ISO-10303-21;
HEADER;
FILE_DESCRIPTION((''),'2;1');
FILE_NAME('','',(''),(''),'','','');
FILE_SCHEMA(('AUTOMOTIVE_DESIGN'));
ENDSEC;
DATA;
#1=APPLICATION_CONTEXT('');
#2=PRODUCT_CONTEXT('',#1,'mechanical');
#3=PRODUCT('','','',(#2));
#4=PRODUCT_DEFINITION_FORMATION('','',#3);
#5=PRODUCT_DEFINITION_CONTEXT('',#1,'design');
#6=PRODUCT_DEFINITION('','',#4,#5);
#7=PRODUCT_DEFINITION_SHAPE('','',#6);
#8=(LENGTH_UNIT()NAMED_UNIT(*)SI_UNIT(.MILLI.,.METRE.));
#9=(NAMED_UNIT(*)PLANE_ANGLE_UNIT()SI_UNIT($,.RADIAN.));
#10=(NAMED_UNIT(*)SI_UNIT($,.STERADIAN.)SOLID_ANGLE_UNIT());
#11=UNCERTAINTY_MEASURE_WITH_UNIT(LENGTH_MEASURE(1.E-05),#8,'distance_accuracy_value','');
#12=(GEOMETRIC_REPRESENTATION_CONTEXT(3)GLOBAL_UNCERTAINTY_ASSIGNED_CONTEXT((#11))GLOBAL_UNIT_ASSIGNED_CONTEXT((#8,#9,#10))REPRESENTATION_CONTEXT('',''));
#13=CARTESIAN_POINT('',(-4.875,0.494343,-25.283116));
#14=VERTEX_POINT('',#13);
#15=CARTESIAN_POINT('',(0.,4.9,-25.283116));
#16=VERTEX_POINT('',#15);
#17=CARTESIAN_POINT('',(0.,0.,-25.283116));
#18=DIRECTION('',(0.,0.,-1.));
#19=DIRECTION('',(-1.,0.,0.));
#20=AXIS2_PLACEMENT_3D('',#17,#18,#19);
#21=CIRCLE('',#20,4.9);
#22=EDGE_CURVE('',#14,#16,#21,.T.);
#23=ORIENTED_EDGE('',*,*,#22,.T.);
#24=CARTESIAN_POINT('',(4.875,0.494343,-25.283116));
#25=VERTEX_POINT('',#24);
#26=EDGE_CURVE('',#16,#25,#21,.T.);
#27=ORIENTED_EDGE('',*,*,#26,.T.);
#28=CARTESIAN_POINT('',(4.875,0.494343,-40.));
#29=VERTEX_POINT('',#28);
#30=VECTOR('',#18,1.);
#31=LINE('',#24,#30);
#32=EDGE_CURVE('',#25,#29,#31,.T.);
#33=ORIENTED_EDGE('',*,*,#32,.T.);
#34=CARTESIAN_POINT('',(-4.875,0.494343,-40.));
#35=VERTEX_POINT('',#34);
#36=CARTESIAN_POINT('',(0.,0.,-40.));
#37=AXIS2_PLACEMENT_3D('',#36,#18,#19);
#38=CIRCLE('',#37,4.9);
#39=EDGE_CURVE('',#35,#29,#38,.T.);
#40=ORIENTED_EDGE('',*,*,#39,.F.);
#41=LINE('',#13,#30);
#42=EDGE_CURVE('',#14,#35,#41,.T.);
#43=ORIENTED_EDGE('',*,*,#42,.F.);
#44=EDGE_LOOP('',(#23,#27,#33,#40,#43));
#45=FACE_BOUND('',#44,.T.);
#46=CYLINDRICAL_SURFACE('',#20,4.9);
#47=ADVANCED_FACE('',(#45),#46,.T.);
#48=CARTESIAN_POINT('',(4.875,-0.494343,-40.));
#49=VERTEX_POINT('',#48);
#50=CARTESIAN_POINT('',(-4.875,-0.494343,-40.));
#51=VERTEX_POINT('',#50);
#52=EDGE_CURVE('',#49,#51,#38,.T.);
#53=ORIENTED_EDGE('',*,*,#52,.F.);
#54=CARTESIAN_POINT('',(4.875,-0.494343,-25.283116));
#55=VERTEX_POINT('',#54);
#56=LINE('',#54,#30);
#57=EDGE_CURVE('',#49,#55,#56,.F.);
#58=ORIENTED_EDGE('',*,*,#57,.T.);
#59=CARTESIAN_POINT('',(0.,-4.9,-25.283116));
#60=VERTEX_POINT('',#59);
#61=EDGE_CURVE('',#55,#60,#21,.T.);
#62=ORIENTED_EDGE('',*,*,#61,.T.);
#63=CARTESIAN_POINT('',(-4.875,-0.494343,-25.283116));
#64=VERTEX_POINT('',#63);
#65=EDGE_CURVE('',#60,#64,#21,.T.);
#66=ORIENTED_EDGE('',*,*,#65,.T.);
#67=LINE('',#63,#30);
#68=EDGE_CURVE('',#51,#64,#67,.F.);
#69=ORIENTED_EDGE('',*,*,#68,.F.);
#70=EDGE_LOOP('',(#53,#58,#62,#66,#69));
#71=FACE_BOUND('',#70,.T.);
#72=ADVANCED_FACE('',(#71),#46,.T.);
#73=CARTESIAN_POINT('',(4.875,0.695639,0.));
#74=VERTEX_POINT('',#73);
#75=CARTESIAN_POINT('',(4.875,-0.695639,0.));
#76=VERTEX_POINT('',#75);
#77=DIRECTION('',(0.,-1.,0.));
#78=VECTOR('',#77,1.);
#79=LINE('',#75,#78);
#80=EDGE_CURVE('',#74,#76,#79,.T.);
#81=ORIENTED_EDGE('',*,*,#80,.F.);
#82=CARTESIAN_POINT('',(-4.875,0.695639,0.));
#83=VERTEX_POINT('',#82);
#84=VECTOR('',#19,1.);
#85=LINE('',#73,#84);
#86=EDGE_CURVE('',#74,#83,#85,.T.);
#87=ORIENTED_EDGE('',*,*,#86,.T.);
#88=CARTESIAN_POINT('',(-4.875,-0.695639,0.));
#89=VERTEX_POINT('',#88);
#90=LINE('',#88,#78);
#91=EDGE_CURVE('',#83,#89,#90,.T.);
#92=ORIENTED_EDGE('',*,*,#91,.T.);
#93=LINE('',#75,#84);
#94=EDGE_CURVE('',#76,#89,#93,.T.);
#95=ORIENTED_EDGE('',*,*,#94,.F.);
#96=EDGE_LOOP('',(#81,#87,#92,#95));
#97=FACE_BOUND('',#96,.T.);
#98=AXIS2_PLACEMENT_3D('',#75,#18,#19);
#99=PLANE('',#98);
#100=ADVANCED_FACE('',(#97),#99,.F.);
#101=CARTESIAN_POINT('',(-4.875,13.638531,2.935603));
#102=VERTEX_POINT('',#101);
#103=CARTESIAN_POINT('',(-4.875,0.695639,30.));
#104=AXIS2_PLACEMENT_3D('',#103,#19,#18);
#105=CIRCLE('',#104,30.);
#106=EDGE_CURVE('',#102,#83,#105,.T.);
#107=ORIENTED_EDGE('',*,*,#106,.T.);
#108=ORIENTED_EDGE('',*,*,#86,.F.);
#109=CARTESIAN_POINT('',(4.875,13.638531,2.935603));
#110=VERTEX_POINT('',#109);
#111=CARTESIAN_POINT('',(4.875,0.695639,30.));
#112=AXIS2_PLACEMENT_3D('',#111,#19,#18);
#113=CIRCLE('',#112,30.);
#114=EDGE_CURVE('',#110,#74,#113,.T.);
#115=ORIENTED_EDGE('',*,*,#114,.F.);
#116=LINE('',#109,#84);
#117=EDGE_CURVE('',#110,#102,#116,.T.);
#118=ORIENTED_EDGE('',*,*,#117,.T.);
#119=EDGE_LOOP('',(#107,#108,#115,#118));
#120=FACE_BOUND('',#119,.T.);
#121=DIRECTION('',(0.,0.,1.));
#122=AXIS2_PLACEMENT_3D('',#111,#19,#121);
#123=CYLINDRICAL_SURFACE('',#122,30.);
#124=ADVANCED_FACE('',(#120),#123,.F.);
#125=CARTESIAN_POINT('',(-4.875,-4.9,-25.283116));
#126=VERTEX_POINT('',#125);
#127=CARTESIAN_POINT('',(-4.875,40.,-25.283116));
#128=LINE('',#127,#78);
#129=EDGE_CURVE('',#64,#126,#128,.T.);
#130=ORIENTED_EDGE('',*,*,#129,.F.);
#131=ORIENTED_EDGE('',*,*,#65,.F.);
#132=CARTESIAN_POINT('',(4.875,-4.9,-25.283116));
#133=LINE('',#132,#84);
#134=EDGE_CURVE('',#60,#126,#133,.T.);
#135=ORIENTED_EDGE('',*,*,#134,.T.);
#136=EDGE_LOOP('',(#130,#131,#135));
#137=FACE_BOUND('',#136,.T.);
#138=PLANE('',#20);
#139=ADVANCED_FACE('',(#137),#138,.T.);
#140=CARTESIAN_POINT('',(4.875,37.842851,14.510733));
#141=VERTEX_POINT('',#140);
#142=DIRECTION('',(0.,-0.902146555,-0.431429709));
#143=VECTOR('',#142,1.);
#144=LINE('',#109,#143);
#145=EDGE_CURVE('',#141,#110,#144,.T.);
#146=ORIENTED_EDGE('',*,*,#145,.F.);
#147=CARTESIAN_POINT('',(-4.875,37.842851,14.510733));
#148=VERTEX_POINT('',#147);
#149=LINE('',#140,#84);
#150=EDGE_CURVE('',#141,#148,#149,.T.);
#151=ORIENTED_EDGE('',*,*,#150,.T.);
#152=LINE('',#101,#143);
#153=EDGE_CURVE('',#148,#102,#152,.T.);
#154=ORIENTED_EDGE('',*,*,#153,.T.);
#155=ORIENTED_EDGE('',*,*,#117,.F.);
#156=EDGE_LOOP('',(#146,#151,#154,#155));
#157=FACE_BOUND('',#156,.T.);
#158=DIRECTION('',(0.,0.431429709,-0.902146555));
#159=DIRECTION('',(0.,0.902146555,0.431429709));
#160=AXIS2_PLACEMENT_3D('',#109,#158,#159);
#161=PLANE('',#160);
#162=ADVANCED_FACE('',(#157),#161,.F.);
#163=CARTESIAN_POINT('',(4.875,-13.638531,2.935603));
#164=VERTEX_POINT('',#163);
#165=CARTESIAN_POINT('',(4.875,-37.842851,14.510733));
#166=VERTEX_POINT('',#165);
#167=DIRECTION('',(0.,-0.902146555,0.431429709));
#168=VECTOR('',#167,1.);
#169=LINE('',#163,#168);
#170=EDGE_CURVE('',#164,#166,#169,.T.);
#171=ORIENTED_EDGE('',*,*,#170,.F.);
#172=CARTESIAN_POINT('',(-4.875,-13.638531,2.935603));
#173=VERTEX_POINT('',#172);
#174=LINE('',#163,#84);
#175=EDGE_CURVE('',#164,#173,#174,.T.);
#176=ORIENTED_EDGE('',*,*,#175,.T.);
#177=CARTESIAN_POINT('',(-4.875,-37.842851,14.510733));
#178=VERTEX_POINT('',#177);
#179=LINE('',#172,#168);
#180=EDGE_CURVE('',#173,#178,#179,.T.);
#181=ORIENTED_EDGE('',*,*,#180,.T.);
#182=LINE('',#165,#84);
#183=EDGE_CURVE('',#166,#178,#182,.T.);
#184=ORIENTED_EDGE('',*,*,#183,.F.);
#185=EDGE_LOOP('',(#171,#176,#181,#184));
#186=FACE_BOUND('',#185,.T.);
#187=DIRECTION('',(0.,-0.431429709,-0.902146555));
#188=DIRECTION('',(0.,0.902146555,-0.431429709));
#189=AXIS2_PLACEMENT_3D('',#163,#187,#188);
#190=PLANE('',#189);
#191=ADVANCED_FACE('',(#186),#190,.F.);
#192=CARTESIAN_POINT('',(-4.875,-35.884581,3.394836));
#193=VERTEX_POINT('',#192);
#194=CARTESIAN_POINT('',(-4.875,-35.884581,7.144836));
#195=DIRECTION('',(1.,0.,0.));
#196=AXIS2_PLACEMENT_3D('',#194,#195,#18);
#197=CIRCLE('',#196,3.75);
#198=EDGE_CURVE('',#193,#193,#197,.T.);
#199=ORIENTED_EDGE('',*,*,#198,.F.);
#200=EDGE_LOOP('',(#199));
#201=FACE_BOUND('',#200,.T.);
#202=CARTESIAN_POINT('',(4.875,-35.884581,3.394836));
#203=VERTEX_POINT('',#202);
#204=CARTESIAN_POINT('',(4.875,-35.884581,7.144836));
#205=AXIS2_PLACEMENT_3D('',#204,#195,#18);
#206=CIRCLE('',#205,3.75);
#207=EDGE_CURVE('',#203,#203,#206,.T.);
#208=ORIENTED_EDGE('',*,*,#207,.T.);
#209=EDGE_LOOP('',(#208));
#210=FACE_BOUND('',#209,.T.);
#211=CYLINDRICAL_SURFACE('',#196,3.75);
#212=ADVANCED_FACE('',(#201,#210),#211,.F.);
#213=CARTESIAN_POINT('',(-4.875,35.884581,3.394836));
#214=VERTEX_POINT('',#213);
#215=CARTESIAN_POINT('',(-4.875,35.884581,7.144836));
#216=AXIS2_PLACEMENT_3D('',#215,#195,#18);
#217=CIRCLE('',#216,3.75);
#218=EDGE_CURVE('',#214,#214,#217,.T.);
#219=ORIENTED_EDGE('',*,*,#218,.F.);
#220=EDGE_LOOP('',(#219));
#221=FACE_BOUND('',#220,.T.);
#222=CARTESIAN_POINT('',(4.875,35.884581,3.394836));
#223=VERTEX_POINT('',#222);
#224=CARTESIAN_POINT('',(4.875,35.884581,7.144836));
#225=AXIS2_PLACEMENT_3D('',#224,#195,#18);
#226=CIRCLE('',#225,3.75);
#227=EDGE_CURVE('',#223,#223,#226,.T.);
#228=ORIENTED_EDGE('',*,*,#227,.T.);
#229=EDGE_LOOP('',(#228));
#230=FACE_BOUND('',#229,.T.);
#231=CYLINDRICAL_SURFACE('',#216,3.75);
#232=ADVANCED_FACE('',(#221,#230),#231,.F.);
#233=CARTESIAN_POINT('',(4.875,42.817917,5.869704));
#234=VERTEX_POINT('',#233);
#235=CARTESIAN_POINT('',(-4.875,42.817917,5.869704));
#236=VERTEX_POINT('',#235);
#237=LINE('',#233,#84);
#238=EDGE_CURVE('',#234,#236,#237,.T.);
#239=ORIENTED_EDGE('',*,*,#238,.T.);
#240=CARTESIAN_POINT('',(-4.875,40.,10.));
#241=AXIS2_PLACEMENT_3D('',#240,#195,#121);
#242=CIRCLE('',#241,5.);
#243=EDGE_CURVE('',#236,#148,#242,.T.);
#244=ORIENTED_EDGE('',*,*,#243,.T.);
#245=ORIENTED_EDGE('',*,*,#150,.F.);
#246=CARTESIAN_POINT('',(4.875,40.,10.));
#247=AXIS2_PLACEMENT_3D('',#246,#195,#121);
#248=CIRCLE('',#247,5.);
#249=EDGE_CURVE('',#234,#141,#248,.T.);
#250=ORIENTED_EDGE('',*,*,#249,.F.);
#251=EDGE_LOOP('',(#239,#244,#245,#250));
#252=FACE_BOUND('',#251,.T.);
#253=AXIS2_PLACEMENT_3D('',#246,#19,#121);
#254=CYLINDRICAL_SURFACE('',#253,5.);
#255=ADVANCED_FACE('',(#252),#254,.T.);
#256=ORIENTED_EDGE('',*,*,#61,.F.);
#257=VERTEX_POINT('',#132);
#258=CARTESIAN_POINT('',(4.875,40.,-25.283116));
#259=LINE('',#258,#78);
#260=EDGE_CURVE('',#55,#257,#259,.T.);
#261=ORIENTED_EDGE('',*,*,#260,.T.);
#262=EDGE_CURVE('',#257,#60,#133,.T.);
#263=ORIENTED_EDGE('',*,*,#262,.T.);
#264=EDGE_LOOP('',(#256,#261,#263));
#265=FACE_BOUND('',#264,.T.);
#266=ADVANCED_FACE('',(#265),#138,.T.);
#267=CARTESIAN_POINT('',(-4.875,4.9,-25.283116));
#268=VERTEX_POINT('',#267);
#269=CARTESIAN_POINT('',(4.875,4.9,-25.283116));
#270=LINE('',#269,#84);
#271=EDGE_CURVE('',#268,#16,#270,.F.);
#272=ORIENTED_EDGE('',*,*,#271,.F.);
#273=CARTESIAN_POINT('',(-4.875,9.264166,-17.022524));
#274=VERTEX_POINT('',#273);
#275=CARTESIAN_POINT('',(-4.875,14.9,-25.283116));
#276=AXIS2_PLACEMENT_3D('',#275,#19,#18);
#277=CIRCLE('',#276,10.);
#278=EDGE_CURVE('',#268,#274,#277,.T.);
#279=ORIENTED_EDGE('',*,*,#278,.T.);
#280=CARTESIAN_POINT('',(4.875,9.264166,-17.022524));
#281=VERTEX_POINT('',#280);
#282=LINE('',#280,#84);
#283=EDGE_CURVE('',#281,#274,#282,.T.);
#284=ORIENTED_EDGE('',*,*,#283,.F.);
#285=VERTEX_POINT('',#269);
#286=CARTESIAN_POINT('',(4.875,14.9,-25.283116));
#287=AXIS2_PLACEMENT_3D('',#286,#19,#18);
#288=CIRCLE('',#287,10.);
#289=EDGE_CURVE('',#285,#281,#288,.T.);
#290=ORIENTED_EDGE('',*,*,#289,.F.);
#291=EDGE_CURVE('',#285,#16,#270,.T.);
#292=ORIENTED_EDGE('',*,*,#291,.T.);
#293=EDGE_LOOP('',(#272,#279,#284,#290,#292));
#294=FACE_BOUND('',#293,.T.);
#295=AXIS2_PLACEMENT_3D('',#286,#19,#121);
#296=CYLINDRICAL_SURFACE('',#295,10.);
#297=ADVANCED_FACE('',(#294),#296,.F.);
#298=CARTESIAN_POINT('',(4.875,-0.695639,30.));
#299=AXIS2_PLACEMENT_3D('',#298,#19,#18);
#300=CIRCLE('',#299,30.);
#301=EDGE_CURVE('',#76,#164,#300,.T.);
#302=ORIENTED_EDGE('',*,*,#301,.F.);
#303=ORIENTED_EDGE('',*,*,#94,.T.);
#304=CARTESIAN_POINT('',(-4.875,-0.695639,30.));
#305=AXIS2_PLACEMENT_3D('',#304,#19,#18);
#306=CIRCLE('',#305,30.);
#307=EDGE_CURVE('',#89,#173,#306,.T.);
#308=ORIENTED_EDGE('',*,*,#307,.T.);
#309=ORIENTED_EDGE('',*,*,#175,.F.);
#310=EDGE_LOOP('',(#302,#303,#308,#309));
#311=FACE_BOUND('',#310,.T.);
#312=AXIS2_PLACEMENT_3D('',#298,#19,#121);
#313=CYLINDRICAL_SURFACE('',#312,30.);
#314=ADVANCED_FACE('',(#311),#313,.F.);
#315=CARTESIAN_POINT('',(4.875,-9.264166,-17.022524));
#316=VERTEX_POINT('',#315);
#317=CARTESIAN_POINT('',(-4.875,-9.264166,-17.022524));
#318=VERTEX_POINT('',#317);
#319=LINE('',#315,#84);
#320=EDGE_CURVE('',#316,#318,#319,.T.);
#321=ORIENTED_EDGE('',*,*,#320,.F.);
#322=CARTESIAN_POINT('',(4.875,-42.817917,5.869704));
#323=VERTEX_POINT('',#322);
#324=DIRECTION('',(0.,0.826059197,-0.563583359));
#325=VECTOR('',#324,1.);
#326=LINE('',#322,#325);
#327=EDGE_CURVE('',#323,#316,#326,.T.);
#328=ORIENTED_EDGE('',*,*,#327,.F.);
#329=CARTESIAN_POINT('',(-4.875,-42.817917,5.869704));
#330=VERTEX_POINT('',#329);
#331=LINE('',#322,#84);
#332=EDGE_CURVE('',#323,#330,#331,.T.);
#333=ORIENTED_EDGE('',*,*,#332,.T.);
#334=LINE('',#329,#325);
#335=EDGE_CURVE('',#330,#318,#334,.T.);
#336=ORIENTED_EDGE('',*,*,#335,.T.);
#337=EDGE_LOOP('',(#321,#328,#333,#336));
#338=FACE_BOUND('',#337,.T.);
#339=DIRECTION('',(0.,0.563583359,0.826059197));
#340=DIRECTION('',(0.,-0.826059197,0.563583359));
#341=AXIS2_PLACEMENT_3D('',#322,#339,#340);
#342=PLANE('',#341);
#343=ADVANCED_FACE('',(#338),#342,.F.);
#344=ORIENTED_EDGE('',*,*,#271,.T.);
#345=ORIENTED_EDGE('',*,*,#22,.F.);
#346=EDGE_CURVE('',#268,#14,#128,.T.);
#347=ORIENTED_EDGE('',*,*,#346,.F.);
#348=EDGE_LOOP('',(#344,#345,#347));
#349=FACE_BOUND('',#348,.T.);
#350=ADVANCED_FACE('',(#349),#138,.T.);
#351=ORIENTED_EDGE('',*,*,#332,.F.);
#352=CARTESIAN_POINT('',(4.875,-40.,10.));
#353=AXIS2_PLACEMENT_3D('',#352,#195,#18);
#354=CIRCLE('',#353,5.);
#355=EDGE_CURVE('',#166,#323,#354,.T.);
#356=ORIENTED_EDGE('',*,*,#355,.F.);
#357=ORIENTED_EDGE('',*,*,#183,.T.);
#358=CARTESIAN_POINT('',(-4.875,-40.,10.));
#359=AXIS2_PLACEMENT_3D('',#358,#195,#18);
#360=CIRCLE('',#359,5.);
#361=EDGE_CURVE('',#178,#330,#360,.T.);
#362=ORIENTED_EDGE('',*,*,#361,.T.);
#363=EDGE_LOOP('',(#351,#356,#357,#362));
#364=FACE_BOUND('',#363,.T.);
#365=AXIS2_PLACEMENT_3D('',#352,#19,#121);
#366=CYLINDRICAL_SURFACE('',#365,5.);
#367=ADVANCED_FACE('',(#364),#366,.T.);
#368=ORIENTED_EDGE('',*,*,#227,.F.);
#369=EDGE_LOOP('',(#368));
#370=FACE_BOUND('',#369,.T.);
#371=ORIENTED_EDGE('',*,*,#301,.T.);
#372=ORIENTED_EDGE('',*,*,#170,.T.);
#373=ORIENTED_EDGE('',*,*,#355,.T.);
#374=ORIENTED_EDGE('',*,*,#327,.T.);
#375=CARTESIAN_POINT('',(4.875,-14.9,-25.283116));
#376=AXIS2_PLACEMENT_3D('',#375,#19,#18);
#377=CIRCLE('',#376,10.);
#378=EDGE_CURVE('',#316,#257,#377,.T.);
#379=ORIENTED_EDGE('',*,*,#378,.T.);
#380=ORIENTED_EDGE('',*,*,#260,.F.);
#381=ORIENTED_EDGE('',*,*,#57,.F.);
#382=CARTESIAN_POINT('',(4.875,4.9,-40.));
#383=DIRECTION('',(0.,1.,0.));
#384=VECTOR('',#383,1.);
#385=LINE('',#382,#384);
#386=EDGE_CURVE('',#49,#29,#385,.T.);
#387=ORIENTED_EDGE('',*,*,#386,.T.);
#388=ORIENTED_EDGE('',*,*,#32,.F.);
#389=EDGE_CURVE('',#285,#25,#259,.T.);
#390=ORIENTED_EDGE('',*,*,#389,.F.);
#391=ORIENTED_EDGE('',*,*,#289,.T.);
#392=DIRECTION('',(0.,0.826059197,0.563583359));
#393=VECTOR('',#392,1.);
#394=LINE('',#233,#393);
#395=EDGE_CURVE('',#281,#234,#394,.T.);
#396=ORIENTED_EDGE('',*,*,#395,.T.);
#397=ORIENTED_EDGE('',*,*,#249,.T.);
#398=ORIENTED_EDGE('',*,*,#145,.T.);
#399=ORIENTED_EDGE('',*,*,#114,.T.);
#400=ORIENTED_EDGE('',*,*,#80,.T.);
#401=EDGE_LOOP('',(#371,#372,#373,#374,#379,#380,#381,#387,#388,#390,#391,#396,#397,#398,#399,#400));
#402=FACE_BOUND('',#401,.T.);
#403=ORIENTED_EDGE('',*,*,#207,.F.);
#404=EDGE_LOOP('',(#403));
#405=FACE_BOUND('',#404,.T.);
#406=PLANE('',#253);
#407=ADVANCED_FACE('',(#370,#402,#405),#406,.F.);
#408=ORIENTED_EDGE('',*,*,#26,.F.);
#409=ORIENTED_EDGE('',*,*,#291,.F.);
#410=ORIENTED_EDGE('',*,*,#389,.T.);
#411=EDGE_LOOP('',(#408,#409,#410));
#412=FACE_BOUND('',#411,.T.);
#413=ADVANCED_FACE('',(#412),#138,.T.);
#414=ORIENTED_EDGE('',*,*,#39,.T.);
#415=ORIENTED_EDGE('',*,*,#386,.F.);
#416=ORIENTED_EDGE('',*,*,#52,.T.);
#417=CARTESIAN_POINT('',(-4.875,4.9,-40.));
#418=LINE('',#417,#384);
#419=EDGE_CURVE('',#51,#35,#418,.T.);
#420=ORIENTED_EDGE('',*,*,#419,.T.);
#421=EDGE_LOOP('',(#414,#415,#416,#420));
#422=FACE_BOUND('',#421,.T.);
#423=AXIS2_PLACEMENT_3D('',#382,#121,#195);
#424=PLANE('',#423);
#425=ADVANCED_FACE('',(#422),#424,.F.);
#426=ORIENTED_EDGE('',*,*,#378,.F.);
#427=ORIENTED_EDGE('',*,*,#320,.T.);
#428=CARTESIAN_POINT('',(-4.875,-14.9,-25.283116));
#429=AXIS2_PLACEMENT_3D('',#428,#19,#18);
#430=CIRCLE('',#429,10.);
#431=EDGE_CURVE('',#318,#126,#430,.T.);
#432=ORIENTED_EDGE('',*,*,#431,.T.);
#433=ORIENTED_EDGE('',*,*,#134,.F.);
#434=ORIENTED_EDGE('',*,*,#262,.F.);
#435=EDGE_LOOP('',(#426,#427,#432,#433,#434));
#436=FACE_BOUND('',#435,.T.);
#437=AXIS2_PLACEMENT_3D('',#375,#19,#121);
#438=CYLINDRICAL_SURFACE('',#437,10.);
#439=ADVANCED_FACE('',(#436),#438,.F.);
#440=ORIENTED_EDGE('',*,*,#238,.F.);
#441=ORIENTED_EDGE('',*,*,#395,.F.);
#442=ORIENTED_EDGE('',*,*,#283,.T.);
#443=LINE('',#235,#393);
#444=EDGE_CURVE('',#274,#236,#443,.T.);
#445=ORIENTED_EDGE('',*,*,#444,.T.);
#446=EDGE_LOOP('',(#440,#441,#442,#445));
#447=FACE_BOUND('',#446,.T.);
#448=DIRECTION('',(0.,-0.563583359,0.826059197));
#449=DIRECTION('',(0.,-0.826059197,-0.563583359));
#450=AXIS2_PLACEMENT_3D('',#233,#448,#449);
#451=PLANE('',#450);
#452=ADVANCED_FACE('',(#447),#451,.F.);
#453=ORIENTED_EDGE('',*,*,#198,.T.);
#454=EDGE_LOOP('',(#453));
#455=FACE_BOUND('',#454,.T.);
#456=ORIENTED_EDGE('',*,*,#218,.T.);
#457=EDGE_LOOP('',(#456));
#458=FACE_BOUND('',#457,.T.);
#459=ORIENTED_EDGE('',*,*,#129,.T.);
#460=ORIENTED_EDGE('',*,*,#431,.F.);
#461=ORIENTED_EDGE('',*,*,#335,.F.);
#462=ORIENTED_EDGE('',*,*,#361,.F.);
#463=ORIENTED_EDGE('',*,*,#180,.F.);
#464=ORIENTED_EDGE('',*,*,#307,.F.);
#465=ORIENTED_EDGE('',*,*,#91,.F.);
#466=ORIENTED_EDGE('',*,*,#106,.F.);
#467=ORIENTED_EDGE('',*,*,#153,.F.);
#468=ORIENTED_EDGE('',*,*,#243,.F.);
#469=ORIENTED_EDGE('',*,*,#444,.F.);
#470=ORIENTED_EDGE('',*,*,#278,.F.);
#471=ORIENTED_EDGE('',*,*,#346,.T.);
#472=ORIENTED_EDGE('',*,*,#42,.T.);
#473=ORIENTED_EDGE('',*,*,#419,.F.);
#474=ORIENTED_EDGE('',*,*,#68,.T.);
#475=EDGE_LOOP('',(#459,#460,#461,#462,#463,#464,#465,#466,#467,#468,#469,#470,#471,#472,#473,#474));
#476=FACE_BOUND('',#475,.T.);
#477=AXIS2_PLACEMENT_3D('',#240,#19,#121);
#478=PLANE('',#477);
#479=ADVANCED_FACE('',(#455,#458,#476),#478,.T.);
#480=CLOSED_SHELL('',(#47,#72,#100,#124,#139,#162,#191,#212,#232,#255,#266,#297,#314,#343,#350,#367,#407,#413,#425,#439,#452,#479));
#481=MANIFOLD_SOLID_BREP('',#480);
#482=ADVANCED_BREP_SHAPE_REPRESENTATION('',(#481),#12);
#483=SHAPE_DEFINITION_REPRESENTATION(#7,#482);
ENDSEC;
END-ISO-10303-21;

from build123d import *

# Parameters (mm, degrees)
BOSS_EXTRUDE1_DEPTH = 4.875
SKETCH3_OUTSIDE_W   = 32.934
SKETCH3_OUTSIDE_H   = 113.184
SKETCH3_OUTSIDE_R   = 4.9
CUT_EXTRUDE1_DEPTH  = 14.716884
SKETCH4_R           = 3.75
CUT_EXTRUDE2_DEPTH  = 9.75


with BuildPart() as part:
    # Sketch2 → Boss-Extrude1 (new body, symmetric)
    with BuildSketch(Plane(origin=(0, 0, 0), x_dir=(0, 0, -1), z_dir=(1, 0, 0))):
        with BuildLine():
            Line((0, -0.695639294), (0, 0.695639294))
            ThreePointArc((0, 0.695639294), (-0.743104239, 7.331455024), (-2.93560336, 13.638530568))
            Line((-2.93560336, 13.638530568), (-14.510732773, 37.842851454))
            ThreePointArc((-14.510732773, 37.842851454), (-12.494794947, 44.333127989), (-5.869704015, 42.817916797))
            Line((-5.869704015, 42.817916797), (17.022523842, 9.264166407))
            ThreePointArc((17.022523842, 9.264166407), (20.611838468, 6.058101563), (25.283115813, 4.9))
            Line((25.283115813, 4.9), (40, 4.9))
            Line((40, 4.9), (40, -4.9))
            Line((40, -4.9), (25.283115813, -4.9))
            ThreePointArc((25.283115813, -4.9), (20.611838468, -6.058101563), (17.022523842, -9.264166407))
            Line((17.022523842, -9.264166407), (-5.869704015, -42.817916797))
            ThreePointArc((-5.869704015, -42.817916797), (-12.494794947, -44.333127989), (-14.510732773, -37.842851454))
            Line((-14.510732773, -37.842851454), (-2.93560336, -13.638530568))
            ThreePointArc((-2.93560336, -13.638530568), (-0.743104239, -7.331455024), (0, -0.695639294))
        make_face()
    extrude(amount=BOSS_EXTRUDE1_DEPTH, both=True)

    # Sketch3 outside → Cut-Extrude1 (cut)
    with BuildSketch(Plane(origin=(0, 0, -40), x_dir=(-1, 0, 0), z_dir=(0, 0, -1))):
        Rectangle(SKETCH3_OUTSIDE_W, SKETCH3_OUTSIDE_H)
        Circle(SKETCH3_OUTSIDE_R, mode=Mode.SUBTRACT)
    extrude(amount=-CUT_EXTRUDE1_DEPTH, mode=Mode.SUBTRACT)

    # Sketch4 → Cut-Extrude2 (cut)
    with BuildSketch(Plane(origin=(4.875, 0, 0), x_dir=(0, 0, -1), z_dir=(1, 0, 0))):
        with Locations((-7.144836337, 35.884581199)):
            Circle(SKETCH4_R)
        with Locations((-7.144836337, -35.884581199)):
            Circle(SKETCH4_R)
    extrude(amount=-CUT_EXTRUDE2_DEPTH, mode=Mode.SUBTRACT)


solid = part.part
